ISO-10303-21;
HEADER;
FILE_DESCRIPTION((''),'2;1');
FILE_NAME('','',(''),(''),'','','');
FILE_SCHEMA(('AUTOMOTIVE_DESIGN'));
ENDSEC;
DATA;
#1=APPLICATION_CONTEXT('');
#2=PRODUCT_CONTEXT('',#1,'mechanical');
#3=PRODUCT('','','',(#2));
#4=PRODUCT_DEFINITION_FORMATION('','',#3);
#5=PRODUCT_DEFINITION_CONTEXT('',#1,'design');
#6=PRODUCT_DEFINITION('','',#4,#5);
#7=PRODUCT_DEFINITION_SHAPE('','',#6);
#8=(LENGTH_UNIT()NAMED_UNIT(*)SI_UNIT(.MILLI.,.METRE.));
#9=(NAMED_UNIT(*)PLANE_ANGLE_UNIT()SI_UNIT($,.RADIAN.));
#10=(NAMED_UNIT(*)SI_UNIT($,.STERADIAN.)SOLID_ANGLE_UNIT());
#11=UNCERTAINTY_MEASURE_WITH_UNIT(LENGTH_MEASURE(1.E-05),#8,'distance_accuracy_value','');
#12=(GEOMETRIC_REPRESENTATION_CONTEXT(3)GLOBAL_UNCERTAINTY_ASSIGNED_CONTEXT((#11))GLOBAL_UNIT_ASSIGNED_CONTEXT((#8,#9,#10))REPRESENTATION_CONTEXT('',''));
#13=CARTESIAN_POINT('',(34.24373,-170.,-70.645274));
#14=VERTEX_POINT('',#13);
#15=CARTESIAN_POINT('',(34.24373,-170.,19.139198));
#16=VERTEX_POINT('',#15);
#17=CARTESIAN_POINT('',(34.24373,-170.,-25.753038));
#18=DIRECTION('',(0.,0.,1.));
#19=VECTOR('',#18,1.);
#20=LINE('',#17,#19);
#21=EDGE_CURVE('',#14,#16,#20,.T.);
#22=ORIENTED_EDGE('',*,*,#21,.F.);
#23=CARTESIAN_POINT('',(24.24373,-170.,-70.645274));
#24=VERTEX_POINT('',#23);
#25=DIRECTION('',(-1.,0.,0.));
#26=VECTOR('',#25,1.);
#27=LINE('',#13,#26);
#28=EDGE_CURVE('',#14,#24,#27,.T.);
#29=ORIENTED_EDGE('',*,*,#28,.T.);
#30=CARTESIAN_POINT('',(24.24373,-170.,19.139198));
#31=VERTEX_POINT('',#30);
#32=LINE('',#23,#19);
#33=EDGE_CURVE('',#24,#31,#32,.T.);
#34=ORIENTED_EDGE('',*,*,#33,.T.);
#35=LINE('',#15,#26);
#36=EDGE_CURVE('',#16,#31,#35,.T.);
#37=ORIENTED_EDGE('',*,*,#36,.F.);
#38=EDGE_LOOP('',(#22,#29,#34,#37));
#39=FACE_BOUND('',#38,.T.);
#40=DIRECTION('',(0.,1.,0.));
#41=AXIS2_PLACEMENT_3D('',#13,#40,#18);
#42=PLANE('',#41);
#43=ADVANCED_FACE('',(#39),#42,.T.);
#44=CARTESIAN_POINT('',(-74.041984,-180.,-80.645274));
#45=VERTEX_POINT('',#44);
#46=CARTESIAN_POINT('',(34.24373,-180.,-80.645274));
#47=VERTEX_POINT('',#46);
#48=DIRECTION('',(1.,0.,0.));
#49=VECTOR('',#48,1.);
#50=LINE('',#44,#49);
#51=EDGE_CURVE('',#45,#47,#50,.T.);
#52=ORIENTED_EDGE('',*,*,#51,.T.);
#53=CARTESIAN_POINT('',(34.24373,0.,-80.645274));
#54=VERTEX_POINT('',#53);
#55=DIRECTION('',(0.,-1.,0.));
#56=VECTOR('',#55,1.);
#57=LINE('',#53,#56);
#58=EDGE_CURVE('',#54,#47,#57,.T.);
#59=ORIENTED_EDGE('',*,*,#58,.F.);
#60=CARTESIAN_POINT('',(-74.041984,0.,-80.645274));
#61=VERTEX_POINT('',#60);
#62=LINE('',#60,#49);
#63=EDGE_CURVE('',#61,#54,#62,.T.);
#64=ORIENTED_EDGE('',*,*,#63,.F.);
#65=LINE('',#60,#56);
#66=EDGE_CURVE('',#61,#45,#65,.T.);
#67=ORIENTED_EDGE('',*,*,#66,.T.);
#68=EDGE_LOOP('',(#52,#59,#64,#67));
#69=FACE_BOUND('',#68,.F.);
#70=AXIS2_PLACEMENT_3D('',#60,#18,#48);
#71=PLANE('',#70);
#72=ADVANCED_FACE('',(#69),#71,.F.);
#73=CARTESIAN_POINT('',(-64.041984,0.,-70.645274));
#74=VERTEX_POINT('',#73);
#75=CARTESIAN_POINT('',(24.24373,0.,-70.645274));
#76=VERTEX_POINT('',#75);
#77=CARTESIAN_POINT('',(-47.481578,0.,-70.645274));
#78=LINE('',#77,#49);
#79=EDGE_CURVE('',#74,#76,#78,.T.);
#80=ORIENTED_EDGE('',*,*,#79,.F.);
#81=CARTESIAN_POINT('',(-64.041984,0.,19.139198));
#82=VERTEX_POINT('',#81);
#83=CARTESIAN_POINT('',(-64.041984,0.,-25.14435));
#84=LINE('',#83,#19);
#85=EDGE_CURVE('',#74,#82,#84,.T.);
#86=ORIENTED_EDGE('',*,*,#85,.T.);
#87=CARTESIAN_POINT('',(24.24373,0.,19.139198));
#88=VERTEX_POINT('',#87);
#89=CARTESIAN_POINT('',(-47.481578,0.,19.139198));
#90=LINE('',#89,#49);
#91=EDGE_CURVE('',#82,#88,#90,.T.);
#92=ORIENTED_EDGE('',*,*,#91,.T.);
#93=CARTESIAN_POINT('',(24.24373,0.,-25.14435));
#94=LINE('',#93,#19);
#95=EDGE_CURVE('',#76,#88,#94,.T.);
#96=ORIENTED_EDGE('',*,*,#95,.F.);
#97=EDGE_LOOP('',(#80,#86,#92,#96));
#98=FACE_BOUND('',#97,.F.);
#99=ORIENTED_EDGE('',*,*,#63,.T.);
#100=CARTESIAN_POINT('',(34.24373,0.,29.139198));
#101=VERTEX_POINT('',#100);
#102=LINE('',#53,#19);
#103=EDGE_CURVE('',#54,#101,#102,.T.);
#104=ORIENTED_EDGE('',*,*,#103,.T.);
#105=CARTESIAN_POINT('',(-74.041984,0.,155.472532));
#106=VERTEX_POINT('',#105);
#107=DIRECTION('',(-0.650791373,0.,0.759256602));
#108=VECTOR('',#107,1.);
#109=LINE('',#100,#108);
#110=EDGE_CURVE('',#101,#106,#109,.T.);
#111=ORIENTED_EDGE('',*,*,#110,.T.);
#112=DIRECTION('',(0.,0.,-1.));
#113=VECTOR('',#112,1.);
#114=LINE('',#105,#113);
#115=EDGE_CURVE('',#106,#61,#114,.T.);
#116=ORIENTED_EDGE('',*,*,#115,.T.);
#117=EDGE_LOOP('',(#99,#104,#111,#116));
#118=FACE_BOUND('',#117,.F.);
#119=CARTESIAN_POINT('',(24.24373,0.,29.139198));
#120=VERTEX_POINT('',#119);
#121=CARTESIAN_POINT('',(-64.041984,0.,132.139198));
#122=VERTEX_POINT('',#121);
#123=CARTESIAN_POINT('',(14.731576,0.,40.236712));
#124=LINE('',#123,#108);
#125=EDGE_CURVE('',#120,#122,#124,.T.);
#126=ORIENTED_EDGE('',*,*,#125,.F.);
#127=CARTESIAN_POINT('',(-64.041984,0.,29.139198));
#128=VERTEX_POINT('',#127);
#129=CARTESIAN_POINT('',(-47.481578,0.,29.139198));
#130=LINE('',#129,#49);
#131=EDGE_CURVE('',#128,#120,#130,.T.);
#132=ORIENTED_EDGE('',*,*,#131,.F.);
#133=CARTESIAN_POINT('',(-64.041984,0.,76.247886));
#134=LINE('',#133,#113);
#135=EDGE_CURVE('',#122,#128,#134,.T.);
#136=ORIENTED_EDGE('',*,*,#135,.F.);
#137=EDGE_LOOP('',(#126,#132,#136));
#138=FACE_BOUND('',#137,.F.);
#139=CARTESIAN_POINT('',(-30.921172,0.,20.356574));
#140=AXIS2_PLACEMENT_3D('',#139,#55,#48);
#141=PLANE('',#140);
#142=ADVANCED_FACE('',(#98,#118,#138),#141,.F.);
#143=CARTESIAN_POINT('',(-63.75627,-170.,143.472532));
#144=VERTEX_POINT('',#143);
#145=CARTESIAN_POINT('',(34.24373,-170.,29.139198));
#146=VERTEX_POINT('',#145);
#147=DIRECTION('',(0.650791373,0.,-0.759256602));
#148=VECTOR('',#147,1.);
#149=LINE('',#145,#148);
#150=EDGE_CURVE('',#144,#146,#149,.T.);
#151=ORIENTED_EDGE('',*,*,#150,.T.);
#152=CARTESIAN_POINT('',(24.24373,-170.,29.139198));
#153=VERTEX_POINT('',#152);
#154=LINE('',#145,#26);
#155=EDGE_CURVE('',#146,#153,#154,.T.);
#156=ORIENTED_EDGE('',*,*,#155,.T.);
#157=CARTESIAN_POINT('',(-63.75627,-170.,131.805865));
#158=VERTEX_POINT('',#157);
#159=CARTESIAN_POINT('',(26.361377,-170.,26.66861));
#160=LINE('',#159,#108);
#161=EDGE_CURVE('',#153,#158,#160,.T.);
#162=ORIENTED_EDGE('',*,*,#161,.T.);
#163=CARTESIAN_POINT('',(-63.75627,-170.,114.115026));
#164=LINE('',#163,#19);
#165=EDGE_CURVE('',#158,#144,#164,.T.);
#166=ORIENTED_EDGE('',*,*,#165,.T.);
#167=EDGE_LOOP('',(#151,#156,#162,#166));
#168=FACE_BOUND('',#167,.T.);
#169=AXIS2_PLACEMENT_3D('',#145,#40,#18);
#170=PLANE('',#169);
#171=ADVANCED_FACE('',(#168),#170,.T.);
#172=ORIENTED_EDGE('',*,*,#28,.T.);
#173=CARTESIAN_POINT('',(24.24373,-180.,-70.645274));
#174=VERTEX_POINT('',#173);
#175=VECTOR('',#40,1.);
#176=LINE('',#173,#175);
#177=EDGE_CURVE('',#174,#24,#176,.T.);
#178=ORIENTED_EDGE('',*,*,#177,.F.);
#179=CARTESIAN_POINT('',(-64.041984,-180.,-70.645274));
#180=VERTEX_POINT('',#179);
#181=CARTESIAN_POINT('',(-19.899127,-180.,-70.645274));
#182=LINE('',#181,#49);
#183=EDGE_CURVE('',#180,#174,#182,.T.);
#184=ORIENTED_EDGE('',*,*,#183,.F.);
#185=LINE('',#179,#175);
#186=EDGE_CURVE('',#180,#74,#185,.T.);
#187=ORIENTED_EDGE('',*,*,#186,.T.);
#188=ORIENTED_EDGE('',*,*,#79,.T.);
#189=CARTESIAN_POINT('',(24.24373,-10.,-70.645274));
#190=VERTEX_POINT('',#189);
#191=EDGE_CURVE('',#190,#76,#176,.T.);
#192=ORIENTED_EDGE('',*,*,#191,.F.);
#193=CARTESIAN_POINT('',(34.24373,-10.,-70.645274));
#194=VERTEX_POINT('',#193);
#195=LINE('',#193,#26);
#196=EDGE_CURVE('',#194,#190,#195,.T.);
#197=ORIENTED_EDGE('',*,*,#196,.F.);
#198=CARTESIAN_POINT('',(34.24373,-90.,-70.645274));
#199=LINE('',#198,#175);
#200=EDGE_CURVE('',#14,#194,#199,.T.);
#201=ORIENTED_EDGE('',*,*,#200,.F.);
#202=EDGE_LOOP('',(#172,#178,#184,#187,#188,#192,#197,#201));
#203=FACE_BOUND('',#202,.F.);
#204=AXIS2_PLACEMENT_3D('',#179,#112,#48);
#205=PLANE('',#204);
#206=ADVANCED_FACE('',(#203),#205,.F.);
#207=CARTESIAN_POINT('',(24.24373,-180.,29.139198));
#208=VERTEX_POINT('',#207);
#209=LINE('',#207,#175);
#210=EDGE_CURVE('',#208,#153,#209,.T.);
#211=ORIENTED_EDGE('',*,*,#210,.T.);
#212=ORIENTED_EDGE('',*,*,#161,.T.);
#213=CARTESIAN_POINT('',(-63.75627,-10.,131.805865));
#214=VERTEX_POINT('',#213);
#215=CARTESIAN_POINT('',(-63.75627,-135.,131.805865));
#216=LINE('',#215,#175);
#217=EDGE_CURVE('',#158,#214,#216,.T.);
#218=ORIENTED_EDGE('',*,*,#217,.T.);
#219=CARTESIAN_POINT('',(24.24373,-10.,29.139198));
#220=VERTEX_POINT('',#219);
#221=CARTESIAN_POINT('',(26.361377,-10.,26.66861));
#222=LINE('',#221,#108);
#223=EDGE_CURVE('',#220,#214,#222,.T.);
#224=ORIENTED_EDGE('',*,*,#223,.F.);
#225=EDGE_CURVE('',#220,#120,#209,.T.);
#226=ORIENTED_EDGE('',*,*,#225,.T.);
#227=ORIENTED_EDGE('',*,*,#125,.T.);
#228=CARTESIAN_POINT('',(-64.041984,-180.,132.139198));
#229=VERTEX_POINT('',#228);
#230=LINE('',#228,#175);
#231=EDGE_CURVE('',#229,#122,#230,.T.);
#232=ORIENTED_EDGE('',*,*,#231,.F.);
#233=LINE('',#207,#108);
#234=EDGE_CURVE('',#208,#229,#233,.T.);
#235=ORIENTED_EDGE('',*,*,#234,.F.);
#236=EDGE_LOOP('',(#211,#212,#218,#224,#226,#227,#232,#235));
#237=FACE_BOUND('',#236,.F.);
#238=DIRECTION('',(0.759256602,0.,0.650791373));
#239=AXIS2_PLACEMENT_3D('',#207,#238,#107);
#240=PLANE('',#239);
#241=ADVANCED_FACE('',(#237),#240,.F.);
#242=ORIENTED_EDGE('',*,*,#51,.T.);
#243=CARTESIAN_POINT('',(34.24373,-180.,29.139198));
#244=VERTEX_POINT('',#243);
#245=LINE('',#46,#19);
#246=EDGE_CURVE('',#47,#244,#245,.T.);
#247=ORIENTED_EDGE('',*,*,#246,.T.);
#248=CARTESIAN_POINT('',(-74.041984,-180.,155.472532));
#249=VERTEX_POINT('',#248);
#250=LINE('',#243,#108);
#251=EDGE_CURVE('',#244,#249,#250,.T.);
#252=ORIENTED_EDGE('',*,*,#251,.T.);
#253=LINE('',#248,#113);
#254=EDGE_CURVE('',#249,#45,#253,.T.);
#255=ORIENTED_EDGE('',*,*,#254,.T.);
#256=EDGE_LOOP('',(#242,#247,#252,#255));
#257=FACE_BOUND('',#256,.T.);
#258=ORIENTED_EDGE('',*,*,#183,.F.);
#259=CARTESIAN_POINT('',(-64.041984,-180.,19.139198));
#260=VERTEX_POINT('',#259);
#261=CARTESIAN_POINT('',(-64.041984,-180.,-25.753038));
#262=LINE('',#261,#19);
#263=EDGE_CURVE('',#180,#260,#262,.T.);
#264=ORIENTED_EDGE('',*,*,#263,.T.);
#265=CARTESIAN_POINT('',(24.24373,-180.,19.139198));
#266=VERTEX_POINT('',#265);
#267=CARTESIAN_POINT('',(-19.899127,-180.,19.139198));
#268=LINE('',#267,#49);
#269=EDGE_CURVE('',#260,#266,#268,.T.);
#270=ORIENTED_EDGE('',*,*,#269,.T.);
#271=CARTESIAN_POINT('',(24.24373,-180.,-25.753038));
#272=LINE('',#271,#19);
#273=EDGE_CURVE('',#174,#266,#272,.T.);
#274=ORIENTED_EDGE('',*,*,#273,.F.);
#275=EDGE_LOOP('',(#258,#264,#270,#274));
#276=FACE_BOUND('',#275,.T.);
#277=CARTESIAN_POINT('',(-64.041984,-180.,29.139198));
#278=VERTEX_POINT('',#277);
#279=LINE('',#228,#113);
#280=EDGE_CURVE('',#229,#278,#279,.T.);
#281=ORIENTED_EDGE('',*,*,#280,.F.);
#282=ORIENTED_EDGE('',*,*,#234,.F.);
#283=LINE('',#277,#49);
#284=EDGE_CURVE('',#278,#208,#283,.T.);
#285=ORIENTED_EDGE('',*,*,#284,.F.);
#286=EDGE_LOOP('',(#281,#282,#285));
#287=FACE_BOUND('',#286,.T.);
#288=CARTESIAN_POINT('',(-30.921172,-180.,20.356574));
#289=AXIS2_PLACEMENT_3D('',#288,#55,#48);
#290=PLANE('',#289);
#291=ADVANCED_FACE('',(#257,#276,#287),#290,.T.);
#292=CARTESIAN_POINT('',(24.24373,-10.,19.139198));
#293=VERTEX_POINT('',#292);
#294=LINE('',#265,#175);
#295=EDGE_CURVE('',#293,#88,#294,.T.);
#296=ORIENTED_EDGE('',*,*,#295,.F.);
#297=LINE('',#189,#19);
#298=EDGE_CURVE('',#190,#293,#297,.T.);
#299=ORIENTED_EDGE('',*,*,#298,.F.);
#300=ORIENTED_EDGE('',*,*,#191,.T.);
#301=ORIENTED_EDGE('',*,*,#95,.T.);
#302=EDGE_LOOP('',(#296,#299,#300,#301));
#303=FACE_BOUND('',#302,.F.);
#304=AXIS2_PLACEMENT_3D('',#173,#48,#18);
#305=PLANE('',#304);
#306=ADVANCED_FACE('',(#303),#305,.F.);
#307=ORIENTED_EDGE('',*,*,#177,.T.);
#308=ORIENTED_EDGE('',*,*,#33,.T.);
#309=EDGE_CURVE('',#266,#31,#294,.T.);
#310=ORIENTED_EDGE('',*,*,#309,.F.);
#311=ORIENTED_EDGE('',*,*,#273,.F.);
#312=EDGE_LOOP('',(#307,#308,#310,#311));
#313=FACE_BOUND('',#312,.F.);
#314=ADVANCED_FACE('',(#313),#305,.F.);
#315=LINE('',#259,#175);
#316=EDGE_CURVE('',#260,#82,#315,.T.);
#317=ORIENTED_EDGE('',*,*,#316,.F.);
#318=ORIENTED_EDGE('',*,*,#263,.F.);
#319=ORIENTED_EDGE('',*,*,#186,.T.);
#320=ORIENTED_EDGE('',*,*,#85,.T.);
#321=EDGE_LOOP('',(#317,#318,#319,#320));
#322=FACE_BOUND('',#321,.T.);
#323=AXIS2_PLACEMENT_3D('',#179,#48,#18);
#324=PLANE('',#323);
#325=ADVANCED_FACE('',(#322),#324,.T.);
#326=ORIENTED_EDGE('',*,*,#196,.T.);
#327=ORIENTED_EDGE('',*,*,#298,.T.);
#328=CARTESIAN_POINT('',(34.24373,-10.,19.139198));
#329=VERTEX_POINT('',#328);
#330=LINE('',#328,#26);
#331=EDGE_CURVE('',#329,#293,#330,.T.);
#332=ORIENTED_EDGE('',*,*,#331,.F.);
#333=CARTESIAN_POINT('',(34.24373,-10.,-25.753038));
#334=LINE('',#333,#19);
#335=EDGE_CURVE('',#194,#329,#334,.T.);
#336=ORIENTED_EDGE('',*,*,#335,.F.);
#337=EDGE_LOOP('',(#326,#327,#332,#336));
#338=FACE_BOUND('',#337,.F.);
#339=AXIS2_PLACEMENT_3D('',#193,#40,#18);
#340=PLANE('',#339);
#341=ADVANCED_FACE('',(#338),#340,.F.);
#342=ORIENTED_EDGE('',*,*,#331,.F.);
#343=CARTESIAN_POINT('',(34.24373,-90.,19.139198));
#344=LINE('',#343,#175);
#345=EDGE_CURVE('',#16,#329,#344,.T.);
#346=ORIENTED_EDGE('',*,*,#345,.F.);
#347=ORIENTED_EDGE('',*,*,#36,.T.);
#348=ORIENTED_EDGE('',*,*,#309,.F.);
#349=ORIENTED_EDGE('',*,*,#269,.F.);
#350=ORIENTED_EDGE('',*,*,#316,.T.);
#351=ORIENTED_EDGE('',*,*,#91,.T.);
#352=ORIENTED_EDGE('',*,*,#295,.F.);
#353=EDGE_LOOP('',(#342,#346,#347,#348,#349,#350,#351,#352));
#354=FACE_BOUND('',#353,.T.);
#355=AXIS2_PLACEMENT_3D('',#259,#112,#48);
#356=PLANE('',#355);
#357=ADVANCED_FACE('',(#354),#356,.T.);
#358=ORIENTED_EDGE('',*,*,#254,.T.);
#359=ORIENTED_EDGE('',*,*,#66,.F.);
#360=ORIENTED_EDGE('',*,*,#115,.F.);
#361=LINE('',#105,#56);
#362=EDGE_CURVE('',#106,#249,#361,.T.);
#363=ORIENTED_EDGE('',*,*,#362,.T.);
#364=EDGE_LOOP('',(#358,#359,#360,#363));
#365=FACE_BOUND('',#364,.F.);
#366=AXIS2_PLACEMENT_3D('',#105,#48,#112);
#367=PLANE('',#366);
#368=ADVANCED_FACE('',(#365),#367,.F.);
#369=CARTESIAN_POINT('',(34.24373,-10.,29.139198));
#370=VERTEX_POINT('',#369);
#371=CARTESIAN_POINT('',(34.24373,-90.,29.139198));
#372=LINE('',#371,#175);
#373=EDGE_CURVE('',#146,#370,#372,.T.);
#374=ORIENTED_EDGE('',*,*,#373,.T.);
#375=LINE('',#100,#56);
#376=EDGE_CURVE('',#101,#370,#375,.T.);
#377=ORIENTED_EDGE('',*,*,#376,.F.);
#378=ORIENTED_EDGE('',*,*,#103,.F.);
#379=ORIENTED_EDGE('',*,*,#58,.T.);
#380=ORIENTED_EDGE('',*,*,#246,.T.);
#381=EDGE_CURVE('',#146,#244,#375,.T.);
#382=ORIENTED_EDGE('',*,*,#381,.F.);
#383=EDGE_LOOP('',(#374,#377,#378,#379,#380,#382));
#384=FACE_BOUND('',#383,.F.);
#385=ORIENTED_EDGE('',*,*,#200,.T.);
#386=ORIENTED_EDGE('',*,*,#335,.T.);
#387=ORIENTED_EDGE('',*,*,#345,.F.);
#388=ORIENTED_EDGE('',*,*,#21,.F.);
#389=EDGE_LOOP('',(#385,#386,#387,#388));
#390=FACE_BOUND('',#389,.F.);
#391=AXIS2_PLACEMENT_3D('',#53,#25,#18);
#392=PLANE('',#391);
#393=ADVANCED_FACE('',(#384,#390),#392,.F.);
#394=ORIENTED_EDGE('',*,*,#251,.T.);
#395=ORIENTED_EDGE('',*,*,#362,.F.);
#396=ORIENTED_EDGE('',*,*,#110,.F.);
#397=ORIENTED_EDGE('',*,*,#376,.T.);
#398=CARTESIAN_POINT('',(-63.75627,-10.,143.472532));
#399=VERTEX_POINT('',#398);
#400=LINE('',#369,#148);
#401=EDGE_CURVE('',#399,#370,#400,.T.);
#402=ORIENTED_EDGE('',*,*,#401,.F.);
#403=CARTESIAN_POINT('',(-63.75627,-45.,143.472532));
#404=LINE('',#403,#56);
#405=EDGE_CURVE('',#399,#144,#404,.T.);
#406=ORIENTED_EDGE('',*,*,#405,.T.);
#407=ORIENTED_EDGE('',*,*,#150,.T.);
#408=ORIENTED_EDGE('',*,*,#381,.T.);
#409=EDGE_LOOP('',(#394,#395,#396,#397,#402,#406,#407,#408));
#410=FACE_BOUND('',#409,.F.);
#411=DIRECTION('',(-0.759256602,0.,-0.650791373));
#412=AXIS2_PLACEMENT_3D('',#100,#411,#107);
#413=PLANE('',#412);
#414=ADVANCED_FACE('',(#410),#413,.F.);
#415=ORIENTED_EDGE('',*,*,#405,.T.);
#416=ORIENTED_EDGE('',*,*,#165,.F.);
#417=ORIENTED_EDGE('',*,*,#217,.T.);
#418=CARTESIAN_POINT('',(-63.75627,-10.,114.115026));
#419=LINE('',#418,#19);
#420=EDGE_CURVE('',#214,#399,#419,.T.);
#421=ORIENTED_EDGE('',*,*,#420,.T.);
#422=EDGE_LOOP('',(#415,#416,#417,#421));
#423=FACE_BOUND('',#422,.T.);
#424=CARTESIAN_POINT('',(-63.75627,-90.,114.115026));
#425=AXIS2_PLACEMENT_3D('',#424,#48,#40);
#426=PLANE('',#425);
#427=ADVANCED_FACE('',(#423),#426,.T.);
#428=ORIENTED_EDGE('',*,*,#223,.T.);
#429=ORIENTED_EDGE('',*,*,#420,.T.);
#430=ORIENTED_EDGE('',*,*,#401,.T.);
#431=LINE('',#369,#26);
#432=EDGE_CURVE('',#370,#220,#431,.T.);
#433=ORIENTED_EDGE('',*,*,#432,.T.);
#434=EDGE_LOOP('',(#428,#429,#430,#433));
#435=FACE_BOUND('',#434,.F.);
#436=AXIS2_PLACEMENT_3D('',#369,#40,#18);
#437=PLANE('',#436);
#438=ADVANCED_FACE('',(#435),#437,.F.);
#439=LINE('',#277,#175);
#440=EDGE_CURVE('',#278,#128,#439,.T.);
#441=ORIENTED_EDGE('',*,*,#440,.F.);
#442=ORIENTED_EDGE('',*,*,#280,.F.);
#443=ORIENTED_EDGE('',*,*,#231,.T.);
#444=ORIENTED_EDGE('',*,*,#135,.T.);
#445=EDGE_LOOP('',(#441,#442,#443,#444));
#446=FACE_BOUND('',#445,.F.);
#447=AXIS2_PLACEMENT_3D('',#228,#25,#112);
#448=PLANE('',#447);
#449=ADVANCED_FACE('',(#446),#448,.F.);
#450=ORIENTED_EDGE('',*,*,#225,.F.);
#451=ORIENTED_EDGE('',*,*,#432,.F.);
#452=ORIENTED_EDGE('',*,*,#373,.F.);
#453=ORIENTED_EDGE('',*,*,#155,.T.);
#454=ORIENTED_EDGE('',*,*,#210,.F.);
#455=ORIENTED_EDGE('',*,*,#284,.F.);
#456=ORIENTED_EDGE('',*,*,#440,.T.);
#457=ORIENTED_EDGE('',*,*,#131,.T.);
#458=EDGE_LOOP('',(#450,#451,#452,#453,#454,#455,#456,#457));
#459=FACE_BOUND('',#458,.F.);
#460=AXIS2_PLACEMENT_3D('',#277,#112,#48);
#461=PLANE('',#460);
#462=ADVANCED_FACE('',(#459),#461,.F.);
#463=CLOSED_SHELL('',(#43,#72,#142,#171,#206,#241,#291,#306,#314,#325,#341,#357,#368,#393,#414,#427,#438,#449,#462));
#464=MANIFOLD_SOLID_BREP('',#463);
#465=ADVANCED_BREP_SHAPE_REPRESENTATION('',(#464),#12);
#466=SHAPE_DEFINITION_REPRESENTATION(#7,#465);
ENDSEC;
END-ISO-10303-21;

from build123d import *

# Parameters (mm, degrees)
F1_DEPTH = 180
F2_W     = 88.2857142857
F2_H     = 89.7844721901
F3_DEPTH = 294
F4_W     = 160
F4_H     = 89.7844721901
F4_H_2   = 169.9516549903
F5_DEPTH = 98


with BuildPart() as f1:
    # F0 (on Front) → F1 (new body)
    with BuildSketch(Plane.XZ):
        Polygon((-74.0419839551, 155.4725316765), (-74.0419839551, 5.1880594864), (-74.0419839551, -80.6452738469), (34.2437303306, -80.6452738469), (34.2437303306, -59.6452738469), (34.2437303306, 29.1391983432), align=None)
    extrude(amount=F1_DEPTH)

    # F2 (on face) → F3 (cut)
    with BuildSketch(Plane.XZ.offset(180)):
        Polygon((-64.0419839551, 132.1391983432), (-64.0419839551, 29.1391983432), (24.2437303306, 29.1391983432), align=None)
        with Locations((-19.8991268123, -25.7530377519)):
            Rectangle(F2_W, F2_H)
    extrude(amount=-F3_DEPTH, mode=Mode.SUBTRACT)

    # F4 (on face) → F5 (cut)
    with BuildSketch(Plane.YZ.offset(34.2437303306)):
        with Locations((-90, -25.7530377519)):
            Rectangle(F4_W, F4_H)
        with Locations((-90, 114.1150258383)):
            Rectangle(F4_W, F4_H_2)
    extrude(amount=-F5_DEPTH, mode=Mode.SUBTRACT)


solid = f1.part
